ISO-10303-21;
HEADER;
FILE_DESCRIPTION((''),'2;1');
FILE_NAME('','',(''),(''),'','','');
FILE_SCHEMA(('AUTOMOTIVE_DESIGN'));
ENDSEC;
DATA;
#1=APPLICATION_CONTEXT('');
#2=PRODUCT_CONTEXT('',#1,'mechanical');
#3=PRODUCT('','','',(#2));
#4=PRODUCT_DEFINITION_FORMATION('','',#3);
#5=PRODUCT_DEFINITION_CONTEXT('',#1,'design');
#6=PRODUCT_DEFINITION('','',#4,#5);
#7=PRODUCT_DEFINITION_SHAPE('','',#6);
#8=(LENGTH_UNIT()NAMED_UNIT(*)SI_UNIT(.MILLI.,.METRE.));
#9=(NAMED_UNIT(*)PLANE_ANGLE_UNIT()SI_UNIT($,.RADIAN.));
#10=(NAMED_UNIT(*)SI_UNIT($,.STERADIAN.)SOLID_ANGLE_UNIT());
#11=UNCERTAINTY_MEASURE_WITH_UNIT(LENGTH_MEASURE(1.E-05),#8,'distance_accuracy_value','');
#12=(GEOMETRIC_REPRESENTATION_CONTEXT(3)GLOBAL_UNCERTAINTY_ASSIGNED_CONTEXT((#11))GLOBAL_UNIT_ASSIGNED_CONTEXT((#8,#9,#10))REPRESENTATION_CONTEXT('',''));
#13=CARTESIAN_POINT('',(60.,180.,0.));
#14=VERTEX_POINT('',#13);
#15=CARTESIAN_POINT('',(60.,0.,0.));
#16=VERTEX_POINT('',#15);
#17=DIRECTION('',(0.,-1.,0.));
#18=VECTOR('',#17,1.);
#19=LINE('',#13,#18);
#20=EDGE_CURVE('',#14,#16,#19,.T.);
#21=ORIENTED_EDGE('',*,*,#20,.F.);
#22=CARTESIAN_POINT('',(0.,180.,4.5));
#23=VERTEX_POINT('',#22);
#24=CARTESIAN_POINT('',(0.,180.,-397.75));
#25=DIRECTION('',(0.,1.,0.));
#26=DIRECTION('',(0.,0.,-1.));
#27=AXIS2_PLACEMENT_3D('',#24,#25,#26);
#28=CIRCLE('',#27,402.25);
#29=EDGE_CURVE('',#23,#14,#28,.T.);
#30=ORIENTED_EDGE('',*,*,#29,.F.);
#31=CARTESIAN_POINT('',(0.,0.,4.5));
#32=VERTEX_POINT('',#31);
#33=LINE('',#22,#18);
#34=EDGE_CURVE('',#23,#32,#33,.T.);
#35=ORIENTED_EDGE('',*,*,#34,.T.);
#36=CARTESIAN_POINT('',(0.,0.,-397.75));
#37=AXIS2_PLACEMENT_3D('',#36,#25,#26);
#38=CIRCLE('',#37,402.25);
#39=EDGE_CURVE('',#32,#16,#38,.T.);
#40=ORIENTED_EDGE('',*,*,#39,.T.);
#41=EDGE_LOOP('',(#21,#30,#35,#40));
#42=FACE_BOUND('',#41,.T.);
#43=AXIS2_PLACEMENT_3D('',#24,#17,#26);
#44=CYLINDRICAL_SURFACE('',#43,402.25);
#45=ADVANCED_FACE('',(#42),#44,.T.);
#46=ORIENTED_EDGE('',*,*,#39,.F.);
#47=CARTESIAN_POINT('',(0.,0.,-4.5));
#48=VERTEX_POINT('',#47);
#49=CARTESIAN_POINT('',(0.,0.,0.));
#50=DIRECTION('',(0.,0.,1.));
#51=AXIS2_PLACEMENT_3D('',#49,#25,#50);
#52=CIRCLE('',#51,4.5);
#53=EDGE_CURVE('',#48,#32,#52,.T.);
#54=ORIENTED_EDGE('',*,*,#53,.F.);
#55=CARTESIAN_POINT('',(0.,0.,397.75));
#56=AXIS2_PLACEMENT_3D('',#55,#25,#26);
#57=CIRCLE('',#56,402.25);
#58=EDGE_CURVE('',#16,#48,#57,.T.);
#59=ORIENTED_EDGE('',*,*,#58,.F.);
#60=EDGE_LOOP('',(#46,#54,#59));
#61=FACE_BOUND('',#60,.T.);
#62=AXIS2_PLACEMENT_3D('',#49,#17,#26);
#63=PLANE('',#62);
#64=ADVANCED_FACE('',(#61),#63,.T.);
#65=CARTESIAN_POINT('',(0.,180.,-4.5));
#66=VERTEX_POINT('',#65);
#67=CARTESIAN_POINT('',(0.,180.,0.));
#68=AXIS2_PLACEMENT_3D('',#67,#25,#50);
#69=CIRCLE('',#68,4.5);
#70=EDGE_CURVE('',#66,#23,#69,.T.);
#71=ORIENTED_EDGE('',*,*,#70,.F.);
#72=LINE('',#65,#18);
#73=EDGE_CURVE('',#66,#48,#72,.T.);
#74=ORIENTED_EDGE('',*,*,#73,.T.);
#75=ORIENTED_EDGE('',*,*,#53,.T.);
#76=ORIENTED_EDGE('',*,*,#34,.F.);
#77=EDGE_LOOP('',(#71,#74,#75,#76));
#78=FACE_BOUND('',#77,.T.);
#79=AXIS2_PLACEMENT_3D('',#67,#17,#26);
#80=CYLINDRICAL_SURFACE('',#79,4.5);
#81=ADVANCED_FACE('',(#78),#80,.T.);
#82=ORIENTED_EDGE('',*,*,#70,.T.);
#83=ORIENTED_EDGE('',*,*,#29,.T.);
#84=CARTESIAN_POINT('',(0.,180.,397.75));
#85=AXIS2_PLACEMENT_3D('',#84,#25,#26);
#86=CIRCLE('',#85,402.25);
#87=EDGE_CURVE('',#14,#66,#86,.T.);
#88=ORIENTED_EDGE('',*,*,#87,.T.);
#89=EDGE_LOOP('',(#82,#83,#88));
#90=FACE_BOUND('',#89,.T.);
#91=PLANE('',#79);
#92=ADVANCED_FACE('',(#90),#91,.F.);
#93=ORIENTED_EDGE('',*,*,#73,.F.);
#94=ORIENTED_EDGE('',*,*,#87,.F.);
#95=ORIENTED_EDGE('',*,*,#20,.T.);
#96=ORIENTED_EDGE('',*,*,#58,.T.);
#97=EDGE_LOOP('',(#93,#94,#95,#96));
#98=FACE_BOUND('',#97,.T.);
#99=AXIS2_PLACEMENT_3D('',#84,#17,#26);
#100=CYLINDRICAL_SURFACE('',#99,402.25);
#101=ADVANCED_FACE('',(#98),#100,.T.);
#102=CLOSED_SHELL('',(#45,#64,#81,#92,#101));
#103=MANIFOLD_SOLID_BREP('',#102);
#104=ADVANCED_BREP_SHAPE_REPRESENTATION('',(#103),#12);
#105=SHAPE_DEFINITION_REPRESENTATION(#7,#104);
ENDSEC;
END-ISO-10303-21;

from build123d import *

# Parameters (mm, degrees)
BOSS_EXTRUDE1_DEPTH = 180


with BuildPart() as part:
    # Sketch1 → Boss-Extrude1 (new body)
    with BuildSketch(Plane(origin=(0, 0, 0), x_dir=(1, 0, 0), z_dir=(0, 1, 0))):
        with BuildLine():
            ThreePointArc((0, 4.5), (-4.5, 0), (0, -4.5))
            ThreePointArc((0, -4.5), (30.08425668, -3.373422403), (60, 0))
            ThreePointArc((60, 0), (30.08425668, 3.373422403), (0, 4.5))
        make_face()
    extrude(amount=BOSS_EXTRUDE1_DEPTH)


solid = part.part
